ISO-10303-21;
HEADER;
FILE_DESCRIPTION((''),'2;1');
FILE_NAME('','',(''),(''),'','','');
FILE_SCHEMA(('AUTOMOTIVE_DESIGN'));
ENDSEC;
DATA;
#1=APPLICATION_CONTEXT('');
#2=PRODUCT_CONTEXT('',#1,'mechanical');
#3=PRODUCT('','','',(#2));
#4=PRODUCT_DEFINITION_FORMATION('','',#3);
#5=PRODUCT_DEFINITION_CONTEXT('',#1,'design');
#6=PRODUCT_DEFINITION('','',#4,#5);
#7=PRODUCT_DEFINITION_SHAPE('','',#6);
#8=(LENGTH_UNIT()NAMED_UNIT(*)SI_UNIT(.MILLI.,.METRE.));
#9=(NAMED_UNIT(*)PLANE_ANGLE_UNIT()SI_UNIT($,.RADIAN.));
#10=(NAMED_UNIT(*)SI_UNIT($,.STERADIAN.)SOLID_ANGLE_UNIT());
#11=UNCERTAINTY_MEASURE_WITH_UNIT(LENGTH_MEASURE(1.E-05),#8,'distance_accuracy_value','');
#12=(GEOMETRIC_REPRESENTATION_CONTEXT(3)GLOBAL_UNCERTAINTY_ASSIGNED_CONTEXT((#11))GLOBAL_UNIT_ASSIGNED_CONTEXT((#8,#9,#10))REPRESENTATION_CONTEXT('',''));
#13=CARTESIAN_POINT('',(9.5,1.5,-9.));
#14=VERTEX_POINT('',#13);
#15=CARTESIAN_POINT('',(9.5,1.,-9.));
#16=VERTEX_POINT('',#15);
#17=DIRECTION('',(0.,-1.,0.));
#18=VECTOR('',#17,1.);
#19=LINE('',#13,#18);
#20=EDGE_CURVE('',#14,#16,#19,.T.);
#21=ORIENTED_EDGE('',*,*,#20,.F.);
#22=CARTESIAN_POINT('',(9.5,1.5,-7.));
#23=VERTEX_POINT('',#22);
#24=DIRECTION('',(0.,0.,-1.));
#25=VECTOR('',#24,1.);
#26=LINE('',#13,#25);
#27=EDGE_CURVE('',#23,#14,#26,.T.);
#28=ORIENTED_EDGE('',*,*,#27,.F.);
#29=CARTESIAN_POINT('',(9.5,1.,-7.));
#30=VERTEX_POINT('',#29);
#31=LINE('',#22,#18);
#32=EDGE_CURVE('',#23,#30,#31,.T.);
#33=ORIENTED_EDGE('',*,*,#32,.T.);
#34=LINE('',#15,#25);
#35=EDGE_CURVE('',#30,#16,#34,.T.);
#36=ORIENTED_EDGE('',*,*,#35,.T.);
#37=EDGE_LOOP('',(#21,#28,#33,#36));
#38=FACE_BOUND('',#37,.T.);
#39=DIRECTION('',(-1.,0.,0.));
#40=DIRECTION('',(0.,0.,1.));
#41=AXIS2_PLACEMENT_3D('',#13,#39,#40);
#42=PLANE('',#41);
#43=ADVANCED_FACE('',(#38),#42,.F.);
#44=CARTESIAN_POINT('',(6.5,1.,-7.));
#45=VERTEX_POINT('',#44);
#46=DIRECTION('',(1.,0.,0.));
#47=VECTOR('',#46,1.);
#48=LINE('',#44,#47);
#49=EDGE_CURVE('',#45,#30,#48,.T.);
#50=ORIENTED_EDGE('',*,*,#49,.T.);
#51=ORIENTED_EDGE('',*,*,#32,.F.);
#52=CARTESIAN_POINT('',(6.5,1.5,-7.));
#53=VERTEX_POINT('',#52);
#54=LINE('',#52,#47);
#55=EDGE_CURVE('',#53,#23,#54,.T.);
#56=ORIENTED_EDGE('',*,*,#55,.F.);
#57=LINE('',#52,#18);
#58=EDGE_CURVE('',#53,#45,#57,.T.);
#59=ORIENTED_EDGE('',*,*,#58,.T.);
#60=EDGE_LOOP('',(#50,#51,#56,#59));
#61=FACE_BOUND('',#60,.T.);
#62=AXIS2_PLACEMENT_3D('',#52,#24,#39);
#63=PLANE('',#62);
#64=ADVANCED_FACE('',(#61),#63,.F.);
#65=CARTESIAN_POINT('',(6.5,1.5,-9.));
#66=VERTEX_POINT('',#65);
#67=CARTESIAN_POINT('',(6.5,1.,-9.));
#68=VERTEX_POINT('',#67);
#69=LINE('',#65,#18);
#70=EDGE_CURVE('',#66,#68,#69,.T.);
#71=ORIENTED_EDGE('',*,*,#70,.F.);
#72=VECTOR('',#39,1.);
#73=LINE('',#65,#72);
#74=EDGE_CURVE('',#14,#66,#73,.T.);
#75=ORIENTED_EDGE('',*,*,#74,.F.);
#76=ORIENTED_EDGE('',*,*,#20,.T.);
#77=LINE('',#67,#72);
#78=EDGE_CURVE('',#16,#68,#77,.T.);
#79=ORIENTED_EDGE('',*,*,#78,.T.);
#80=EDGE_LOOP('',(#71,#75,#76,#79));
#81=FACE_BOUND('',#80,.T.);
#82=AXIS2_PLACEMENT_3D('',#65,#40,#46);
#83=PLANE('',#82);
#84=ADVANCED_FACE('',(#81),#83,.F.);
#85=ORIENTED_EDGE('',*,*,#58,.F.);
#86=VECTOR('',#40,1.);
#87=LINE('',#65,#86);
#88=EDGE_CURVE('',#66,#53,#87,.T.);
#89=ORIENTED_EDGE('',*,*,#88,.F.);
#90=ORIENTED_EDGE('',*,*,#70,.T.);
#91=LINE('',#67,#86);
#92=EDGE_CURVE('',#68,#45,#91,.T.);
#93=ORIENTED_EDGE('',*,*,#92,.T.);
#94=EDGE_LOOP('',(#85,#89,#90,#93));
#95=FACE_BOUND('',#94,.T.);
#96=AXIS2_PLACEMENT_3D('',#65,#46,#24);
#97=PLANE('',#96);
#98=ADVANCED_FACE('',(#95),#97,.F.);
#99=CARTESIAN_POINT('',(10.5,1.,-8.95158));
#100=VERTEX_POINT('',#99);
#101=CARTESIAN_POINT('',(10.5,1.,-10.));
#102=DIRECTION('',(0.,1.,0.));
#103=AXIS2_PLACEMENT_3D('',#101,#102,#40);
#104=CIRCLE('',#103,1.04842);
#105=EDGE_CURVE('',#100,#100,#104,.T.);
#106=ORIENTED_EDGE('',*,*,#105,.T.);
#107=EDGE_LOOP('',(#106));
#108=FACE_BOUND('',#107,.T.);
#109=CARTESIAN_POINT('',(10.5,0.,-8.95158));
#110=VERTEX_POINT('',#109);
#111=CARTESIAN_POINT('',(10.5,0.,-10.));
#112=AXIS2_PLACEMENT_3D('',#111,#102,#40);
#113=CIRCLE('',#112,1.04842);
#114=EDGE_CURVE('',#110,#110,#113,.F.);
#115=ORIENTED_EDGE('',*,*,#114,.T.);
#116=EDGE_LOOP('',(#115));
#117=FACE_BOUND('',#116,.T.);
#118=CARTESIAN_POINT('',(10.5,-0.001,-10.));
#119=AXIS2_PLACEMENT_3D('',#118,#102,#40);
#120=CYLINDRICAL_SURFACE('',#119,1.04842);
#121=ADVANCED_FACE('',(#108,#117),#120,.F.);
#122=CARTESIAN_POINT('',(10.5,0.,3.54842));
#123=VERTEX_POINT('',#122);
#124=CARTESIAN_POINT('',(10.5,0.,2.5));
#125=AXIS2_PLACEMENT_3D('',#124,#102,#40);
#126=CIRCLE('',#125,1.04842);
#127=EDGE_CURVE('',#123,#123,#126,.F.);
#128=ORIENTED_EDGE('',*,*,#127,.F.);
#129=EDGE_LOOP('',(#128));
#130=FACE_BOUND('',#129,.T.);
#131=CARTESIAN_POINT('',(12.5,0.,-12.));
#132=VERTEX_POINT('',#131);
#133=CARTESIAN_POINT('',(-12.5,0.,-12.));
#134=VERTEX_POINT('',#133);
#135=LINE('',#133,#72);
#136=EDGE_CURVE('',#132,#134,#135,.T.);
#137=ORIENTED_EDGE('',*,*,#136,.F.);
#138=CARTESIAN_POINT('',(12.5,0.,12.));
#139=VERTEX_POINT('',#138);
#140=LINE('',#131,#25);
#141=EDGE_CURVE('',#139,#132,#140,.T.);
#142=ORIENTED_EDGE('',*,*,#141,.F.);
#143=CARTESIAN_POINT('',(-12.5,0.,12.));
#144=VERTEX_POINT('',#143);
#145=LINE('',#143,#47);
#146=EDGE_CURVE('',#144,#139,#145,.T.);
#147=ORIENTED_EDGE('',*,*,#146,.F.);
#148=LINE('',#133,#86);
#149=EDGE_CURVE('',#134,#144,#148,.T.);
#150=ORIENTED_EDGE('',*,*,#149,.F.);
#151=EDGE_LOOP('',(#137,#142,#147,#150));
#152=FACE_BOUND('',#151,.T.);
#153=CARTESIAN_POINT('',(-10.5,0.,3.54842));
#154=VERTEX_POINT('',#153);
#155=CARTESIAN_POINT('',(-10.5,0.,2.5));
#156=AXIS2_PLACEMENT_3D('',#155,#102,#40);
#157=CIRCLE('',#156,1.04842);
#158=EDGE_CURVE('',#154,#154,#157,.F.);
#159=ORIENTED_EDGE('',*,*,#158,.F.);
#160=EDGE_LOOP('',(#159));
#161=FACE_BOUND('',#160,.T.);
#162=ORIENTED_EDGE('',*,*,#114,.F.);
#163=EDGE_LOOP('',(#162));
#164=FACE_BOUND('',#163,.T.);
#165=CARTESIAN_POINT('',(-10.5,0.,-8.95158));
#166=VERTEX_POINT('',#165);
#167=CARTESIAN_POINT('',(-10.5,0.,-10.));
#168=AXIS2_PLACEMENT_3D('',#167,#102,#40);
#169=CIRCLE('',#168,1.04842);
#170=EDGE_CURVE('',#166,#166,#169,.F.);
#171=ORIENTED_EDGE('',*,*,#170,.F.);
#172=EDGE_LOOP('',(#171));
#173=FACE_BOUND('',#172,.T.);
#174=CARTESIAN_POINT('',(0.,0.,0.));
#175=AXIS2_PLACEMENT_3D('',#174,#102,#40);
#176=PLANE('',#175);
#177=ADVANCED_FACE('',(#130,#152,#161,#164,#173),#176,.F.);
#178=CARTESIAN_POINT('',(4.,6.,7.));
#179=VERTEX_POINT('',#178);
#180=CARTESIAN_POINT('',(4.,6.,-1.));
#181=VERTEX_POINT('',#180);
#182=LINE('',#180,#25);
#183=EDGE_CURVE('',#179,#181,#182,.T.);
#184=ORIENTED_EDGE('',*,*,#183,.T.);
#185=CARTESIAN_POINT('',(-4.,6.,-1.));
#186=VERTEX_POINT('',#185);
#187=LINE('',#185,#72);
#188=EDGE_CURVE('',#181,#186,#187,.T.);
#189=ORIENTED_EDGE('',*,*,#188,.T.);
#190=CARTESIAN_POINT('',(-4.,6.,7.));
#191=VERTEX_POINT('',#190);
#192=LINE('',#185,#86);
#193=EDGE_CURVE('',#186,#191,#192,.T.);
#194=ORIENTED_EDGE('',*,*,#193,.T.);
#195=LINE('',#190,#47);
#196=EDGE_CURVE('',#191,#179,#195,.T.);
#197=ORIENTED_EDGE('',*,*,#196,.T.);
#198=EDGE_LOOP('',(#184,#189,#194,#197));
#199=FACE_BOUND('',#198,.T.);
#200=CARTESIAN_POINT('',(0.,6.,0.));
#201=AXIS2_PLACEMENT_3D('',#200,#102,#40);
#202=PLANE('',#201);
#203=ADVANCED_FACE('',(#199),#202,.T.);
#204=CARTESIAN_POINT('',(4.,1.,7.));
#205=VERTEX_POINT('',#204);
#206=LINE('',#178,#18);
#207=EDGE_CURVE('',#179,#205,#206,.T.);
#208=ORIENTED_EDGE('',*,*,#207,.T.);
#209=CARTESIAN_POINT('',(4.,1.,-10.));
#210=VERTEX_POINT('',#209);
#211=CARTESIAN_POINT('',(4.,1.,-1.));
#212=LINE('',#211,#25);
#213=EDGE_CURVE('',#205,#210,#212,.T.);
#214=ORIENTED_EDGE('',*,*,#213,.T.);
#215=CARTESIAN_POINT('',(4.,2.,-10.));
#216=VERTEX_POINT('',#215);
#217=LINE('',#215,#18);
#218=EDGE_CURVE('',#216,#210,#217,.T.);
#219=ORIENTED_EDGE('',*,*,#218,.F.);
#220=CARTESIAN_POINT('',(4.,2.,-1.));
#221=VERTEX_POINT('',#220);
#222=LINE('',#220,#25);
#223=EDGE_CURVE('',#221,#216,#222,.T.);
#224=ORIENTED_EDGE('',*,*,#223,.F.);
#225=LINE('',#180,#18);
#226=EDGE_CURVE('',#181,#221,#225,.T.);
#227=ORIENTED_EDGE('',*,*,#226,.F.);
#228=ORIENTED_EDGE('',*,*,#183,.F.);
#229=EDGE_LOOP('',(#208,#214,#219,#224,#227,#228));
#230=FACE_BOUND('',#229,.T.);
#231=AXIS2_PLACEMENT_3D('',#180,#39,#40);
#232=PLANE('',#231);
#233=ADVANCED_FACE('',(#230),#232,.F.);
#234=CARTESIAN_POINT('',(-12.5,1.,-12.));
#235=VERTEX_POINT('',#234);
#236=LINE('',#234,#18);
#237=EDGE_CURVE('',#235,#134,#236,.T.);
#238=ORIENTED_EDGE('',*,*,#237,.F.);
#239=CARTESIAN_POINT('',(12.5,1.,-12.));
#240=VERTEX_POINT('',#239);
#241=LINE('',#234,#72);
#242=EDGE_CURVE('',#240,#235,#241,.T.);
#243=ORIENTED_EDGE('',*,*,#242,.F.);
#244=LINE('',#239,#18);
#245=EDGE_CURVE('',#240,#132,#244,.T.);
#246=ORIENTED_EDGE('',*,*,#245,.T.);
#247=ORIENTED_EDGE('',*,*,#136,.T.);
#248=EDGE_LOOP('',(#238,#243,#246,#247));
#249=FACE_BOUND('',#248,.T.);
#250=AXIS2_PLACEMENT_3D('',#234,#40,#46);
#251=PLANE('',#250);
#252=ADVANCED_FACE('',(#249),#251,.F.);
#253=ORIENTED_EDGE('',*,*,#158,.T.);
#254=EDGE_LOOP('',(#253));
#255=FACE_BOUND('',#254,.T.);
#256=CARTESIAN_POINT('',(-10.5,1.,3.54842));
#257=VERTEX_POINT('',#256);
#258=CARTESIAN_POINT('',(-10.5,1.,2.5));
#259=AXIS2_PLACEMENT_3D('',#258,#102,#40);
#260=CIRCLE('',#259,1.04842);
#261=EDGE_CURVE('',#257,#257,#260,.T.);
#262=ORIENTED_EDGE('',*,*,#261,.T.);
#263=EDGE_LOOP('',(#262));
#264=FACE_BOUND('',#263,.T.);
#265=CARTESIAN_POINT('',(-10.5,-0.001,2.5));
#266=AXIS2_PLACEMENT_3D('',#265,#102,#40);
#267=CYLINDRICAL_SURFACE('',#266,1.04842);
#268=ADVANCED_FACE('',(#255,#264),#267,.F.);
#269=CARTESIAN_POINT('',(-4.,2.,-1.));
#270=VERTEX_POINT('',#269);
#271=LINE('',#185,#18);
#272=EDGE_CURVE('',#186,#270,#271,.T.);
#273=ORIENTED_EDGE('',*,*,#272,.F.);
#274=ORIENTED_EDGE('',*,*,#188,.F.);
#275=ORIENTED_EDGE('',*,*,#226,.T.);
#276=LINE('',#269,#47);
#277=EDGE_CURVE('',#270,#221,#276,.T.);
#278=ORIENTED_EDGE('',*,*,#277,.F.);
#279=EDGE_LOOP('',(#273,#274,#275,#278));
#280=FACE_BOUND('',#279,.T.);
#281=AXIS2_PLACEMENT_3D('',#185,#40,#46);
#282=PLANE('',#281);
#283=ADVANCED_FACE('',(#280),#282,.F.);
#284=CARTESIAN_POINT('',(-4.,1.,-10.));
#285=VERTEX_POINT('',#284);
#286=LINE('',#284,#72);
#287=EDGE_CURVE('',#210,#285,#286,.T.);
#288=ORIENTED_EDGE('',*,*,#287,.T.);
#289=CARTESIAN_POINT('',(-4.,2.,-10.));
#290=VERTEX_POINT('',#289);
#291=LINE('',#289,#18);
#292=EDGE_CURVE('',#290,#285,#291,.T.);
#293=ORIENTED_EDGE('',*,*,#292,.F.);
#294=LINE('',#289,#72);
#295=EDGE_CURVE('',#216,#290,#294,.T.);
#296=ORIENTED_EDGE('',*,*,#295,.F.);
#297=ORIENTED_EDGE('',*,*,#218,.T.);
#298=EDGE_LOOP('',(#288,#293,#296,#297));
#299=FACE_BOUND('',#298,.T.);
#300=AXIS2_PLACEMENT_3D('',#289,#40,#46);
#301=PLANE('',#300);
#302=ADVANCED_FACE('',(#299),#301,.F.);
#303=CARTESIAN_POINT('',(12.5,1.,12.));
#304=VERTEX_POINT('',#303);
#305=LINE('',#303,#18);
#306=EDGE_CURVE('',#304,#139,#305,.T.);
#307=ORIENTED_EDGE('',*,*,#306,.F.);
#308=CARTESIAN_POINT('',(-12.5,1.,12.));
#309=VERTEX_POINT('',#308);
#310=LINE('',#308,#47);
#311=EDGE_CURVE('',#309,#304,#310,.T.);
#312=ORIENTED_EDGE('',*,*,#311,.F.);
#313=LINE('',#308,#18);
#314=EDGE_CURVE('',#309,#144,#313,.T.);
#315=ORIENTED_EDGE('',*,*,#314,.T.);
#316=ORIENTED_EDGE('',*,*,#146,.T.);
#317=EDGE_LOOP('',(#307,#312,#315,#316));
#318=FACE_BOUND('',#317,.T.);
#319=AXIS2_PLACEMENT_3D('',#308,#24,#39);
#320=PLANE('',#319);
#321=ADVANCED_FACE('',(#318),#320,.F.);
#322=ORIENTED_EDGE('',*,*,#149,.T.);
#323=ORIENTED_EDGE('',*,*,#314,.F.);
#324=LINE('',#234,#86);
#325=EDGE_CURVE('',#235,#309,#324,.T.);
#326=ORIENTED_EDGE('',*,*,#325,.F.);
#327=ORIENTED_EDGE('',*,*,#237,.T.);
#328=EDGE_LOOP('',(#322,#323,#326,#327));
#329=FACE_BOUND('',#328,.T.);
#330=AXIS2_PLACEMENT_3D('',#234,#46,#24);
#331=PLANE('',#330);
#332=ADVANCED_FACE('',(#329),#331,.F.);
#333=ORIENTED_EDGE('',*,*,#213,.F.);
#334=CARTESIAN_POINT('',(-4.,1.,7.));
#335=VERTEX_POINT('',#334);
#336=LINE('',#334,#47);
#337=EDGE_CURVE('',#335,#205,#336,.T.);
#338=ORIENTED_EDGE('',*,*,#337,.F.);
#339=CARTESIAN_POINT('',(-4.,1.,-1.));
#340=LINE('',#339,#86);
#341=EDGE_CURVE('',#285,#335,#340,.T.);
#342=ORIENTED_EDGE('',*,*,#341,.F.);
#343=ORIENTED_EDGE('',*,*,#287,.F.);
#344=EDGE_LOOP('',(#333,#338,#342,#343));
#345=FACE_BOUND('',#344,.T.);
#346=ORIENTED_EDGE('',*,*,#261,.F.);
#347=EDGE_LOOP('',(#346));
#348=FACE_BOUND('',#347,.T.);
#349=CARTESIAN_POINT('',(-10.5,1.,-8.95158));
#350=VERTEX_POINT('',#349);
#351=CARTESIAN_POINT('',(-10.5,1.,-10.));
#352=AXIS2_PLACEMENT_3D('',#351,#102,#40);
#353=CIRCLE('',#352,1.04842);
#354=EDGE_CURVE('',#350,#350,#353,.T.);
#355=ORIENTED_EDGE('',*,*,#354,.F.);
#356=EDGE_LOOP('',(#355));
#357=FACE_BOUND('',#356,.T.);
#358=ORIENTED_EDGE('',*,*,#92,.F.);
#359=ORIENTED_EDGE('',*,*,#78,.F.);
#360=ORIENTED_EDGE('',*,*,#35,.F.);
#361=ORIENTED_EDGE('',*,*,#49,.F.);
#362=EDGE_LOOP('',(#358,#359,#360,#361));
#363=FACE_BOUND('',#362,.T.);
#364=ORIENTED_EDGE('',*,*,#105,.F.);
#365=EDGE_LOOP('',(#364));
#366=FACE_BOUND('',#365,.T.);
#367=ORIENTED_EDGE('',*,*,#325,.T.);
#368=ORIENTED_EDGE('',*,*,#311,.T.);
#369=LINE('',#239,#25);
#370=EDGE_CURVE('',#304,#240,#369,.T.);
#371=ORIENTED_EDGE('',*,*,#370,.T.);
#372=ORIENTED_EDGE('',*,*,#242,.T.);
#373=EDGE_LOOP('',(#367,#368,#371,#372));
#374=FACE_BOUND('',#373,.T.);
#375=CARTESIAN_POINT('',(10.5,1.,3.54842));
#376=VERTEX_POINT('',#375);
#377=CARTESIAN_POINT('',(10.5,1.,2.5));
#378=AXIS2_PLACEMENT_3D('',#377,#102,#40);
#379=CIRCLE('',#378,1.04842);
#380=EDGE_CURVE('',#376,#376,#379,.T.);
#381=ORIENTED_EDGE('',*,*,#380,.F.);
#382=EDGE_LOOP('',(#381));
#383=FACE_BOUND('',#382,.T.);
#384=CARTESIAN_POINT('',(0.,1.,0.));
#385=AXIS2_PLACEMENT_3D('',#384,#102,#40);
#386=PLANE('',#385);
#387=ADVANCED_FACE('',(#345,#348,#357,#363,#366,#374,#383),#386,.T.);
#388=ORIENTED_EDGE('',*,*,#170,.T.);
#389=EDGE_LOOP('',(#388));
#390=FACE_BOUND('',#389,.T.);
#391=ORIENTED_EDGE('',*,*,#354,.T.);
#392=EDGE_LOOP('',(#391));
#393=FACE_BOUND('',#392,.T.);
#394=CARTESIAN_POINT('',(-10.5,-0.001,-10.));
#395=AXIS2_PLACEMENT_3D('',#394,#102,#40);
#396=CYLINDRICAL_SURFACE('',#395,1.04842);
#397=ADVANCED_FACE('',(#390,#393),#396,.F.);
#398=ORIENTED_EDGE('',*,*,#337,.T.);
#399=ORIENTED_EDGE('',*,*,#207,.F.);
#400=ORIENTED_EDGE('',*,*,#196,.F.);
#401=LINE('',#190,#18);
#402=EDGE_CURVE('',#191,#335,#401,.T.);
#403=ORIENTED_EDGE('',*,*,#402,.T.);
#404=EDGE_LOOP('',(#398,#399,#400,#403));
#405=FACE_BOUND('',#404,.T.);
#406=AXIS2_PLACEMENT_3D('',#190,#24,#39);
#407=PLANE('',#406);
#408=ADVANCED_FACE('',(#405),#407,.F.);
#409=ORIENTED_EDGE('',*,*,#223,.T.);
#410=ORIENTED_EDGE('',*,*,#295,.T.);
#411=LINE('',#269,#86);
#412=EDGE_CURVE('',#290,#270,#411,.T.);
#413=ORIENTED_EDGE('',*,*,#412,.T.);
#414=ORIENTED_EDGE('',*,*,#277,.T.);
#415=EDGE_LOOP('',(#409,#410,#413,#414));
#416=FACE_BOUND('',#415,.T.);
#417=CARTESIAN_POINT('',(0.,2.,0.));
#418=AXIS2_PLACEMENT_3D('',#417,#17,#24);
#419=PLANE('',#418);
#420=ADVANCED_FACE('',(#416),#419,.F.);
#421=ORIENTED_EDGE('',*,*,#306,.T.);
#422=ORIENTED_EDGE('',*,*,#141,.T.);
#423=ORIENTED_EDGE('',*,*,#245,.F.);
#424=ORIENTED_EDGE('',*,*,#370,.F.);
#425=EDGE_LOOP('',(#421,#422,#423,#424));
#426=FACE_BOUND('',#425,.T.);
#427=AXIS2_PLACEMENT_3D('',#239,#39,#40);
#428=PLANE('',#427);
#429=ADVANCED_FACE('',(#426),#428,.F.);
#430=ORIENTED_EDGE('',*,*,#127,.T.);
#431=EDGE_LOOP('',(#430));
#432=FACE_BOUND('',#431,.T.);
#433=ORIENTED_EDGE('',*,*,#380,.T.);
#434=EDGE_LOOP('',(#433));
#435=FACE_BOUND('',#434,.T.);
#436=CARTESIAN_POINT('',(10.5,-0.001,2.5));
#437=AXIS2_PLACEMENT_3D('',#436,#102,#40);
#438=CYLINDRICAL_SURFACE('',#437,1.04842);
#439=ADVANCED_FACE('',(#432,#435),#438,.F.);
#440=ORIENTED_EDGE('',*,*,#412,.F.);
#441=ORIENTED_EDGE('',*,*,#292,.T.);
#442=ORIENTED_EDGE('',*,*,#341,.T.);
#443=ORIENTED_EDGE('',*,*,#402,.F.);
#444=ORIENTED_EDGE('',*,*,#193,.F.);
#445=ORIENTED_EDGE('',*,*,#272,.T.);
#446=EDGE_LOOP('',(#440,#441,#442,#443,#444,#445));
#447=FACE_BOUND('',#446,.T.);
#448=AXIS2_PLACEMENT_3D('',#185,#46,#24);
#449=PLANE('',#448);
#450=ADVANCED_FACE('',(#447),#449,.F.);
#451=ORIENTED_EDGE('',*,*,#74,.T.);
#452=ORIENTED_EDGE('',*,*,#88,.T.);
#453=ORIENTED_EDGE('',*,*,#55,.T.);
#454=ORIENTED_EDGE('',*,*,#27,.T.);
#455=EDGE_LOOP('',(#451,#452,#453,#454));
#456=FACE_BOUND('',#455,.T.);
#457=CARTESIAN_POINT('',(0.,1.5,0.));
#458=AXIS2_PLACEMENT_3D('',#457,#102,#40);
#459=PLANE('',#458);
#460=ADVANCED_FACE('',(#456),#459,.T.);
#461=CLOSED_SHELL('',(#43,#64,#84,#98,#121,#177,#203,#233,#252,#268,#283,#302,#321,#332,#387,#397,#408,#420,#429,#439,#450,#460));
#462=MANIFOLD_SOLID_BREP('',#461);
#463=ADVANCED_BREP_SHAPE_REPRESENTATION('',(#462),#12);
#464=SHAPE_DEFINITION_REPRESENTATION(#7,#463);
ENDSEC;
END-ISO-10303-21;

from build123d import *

# Parameters (mm, degrees)
SKETCH1_W           = 25
SKETCH1_H           = 24
BOSS_EXTRUDE1_DEPTH = 1
SKETCH2_W           = 8
SKETCH2_H           = 8
BOSS_EXTRUDE2_DEPTH = 5
SKETCH3_W           = 8
SKETCH3_H           = 9
BOSS_EXTRUDE3_DEPTH = 1
SKETCH4_W           = 3
SKETCH4_H           = 2
BOSS_EXTRUDE4_DEPTH = 0.5
CUT_EXTRUDE1_REACH  = 3
SKETCH5_R           = 1.048419625


with BuildPart() as part:
    # Sketch1 → Boss-Extrude1 (new body)
    with BuildSketch(Plane(origin=(0, 0, 0), x_dir=(1, 0, 0), z_dir=(0, 1, 0))):
        Rectangle(SKETCH1_W, SKETCH1_H)
    extrude(amount=BOSS_EXTRUDE1_DEPTH)

    # Sketch2 → Boss-Extrude2 (add)
    with BuildSketch(Plane(origin=(0, 1, 0), x_dir=(1, 0, 0), z_dir=(0, 1, 0))):
        with Locations((0, -3)):
            Rectangle(SKETCH2_W, SKETCH2_H)
    extrude(amount=BOSS_EXTRUDE2_DEPTH)

    # Sketch3 → Boss-Extrude3 (add)
    with BuildSketch(Plane(origin=(0, 1, 0), x_dir=(1, 0, 0), z_dir=(0, 1, 0))):
        with Locations((0, 5.5)):
            Rectangle(SKETCH3_W, SKETCH3_H)
    extrude(amount=BOSS_EXTRUDE3_DEPTH)

    # Sketch4 → Boss-Extrude4 (add)
    with BuildSketch(Plane(origin=(0, 1, 0), x_dir=(1, 0, 0), z_dir=(0, 1, 0))):
        with Locations((8, 8)):
            Rectangle(SKETCH4_W, SKETCH4_H)
    extrude(amount=BOSS_EXTRUDE4_DEPTH)

    # Sketch5 → Cut-Extrude1 (cut, up to next)
    with BuildSketch(Plane(origin=(0, 1, 0), x_dir=(1, 0, 0), z_dir=(0, 1, 0)), mode=Mode.PRIVATE) as cut_extrude1_sk1:
        with Locations((-10.5, 10)):
            Circle(SKETCH5_R)
    cut_extrude1_tool1 = extrude(cut_extrude1_sk1.sketch, amount=-CUT_EXTRUDE1_REACH, mode=Mode.PRIVATE) & part.part
    add(cut_extrude1_tool1.solids().sort_by_distance((-10.5, 1, -10))[0], mode=Mode.SUBTRACT)
    # Sketch5 → Cut-Extrude1 (cut, up to next)
    with BuildSketch(Plane(origin=(0, 1, 0), x_dir=(1, 0, 0), z_dir=(0, 1, 0)), mode=Mode.PRIVATE) as cut_extrude1_sk2:
        with Locations((10.5, 10)):
            Circle(SKETCH5_R)
    cut_extrude1_tool2 = extrude(cut_extrude1_sk2.sketch, amount=-CUT_EXTRUDE1_REACH, mode=Mode.PRIVATE) & part.part
    add(cut_extrude1_tool2.solids().sort_by_distance((10.5, 1, -10))[0], mode=Mode.SUBTRACT)
    # Sketch5 → Cut-Extrude1 (cut, up to next)
    with BuildSketch(Plane(origin=(0, 1, 0), x_dir=(1, 0, 0), z_dir=(0, 1, 0)), mode=Mode.PRIVATE) as cut_extrude1_sk3:
        with Locations((10.5, -2.5)):
            Circle(SKETCH5_R)
    cut_extrude1_tool3 = extrude(cut_extrude1_sk3.sketch, amount=-CUT_EXTRUDE1_REACH, mode=Mode.PRIVATE) & part.part
    add(cut_extrude1_tool3.solids().sort_by_distance((10.5, 1, 2.5))[0], mode=Mode.SUBTRACT)
    # Sketch5 → Cut-Extrude1 (cut, up to next)
    with BuildSketch(Plane(origin=(0, 1, 0), x_dir=(1, 0, 0), z_dir=(0, 1, 0)), mode=Mode.PRIVATE) as cut_extrude1_sk4:
        with Locations((-10.5, -2.5)):
            Circle(SKETCH5_R)
    cut_extrude1_tool4 = extrude(cut_extrude1_sk4.sketch, amount=-CUT_EXTRUDE1_REACH, mode=Mode.PRIVATE) & part.part
    add(cut_extrude1_tool4.solids().sort_by_distance((-10.5, 1, 2.5))[0], mode=Mode.SUBTRACT)


solid = part.part
